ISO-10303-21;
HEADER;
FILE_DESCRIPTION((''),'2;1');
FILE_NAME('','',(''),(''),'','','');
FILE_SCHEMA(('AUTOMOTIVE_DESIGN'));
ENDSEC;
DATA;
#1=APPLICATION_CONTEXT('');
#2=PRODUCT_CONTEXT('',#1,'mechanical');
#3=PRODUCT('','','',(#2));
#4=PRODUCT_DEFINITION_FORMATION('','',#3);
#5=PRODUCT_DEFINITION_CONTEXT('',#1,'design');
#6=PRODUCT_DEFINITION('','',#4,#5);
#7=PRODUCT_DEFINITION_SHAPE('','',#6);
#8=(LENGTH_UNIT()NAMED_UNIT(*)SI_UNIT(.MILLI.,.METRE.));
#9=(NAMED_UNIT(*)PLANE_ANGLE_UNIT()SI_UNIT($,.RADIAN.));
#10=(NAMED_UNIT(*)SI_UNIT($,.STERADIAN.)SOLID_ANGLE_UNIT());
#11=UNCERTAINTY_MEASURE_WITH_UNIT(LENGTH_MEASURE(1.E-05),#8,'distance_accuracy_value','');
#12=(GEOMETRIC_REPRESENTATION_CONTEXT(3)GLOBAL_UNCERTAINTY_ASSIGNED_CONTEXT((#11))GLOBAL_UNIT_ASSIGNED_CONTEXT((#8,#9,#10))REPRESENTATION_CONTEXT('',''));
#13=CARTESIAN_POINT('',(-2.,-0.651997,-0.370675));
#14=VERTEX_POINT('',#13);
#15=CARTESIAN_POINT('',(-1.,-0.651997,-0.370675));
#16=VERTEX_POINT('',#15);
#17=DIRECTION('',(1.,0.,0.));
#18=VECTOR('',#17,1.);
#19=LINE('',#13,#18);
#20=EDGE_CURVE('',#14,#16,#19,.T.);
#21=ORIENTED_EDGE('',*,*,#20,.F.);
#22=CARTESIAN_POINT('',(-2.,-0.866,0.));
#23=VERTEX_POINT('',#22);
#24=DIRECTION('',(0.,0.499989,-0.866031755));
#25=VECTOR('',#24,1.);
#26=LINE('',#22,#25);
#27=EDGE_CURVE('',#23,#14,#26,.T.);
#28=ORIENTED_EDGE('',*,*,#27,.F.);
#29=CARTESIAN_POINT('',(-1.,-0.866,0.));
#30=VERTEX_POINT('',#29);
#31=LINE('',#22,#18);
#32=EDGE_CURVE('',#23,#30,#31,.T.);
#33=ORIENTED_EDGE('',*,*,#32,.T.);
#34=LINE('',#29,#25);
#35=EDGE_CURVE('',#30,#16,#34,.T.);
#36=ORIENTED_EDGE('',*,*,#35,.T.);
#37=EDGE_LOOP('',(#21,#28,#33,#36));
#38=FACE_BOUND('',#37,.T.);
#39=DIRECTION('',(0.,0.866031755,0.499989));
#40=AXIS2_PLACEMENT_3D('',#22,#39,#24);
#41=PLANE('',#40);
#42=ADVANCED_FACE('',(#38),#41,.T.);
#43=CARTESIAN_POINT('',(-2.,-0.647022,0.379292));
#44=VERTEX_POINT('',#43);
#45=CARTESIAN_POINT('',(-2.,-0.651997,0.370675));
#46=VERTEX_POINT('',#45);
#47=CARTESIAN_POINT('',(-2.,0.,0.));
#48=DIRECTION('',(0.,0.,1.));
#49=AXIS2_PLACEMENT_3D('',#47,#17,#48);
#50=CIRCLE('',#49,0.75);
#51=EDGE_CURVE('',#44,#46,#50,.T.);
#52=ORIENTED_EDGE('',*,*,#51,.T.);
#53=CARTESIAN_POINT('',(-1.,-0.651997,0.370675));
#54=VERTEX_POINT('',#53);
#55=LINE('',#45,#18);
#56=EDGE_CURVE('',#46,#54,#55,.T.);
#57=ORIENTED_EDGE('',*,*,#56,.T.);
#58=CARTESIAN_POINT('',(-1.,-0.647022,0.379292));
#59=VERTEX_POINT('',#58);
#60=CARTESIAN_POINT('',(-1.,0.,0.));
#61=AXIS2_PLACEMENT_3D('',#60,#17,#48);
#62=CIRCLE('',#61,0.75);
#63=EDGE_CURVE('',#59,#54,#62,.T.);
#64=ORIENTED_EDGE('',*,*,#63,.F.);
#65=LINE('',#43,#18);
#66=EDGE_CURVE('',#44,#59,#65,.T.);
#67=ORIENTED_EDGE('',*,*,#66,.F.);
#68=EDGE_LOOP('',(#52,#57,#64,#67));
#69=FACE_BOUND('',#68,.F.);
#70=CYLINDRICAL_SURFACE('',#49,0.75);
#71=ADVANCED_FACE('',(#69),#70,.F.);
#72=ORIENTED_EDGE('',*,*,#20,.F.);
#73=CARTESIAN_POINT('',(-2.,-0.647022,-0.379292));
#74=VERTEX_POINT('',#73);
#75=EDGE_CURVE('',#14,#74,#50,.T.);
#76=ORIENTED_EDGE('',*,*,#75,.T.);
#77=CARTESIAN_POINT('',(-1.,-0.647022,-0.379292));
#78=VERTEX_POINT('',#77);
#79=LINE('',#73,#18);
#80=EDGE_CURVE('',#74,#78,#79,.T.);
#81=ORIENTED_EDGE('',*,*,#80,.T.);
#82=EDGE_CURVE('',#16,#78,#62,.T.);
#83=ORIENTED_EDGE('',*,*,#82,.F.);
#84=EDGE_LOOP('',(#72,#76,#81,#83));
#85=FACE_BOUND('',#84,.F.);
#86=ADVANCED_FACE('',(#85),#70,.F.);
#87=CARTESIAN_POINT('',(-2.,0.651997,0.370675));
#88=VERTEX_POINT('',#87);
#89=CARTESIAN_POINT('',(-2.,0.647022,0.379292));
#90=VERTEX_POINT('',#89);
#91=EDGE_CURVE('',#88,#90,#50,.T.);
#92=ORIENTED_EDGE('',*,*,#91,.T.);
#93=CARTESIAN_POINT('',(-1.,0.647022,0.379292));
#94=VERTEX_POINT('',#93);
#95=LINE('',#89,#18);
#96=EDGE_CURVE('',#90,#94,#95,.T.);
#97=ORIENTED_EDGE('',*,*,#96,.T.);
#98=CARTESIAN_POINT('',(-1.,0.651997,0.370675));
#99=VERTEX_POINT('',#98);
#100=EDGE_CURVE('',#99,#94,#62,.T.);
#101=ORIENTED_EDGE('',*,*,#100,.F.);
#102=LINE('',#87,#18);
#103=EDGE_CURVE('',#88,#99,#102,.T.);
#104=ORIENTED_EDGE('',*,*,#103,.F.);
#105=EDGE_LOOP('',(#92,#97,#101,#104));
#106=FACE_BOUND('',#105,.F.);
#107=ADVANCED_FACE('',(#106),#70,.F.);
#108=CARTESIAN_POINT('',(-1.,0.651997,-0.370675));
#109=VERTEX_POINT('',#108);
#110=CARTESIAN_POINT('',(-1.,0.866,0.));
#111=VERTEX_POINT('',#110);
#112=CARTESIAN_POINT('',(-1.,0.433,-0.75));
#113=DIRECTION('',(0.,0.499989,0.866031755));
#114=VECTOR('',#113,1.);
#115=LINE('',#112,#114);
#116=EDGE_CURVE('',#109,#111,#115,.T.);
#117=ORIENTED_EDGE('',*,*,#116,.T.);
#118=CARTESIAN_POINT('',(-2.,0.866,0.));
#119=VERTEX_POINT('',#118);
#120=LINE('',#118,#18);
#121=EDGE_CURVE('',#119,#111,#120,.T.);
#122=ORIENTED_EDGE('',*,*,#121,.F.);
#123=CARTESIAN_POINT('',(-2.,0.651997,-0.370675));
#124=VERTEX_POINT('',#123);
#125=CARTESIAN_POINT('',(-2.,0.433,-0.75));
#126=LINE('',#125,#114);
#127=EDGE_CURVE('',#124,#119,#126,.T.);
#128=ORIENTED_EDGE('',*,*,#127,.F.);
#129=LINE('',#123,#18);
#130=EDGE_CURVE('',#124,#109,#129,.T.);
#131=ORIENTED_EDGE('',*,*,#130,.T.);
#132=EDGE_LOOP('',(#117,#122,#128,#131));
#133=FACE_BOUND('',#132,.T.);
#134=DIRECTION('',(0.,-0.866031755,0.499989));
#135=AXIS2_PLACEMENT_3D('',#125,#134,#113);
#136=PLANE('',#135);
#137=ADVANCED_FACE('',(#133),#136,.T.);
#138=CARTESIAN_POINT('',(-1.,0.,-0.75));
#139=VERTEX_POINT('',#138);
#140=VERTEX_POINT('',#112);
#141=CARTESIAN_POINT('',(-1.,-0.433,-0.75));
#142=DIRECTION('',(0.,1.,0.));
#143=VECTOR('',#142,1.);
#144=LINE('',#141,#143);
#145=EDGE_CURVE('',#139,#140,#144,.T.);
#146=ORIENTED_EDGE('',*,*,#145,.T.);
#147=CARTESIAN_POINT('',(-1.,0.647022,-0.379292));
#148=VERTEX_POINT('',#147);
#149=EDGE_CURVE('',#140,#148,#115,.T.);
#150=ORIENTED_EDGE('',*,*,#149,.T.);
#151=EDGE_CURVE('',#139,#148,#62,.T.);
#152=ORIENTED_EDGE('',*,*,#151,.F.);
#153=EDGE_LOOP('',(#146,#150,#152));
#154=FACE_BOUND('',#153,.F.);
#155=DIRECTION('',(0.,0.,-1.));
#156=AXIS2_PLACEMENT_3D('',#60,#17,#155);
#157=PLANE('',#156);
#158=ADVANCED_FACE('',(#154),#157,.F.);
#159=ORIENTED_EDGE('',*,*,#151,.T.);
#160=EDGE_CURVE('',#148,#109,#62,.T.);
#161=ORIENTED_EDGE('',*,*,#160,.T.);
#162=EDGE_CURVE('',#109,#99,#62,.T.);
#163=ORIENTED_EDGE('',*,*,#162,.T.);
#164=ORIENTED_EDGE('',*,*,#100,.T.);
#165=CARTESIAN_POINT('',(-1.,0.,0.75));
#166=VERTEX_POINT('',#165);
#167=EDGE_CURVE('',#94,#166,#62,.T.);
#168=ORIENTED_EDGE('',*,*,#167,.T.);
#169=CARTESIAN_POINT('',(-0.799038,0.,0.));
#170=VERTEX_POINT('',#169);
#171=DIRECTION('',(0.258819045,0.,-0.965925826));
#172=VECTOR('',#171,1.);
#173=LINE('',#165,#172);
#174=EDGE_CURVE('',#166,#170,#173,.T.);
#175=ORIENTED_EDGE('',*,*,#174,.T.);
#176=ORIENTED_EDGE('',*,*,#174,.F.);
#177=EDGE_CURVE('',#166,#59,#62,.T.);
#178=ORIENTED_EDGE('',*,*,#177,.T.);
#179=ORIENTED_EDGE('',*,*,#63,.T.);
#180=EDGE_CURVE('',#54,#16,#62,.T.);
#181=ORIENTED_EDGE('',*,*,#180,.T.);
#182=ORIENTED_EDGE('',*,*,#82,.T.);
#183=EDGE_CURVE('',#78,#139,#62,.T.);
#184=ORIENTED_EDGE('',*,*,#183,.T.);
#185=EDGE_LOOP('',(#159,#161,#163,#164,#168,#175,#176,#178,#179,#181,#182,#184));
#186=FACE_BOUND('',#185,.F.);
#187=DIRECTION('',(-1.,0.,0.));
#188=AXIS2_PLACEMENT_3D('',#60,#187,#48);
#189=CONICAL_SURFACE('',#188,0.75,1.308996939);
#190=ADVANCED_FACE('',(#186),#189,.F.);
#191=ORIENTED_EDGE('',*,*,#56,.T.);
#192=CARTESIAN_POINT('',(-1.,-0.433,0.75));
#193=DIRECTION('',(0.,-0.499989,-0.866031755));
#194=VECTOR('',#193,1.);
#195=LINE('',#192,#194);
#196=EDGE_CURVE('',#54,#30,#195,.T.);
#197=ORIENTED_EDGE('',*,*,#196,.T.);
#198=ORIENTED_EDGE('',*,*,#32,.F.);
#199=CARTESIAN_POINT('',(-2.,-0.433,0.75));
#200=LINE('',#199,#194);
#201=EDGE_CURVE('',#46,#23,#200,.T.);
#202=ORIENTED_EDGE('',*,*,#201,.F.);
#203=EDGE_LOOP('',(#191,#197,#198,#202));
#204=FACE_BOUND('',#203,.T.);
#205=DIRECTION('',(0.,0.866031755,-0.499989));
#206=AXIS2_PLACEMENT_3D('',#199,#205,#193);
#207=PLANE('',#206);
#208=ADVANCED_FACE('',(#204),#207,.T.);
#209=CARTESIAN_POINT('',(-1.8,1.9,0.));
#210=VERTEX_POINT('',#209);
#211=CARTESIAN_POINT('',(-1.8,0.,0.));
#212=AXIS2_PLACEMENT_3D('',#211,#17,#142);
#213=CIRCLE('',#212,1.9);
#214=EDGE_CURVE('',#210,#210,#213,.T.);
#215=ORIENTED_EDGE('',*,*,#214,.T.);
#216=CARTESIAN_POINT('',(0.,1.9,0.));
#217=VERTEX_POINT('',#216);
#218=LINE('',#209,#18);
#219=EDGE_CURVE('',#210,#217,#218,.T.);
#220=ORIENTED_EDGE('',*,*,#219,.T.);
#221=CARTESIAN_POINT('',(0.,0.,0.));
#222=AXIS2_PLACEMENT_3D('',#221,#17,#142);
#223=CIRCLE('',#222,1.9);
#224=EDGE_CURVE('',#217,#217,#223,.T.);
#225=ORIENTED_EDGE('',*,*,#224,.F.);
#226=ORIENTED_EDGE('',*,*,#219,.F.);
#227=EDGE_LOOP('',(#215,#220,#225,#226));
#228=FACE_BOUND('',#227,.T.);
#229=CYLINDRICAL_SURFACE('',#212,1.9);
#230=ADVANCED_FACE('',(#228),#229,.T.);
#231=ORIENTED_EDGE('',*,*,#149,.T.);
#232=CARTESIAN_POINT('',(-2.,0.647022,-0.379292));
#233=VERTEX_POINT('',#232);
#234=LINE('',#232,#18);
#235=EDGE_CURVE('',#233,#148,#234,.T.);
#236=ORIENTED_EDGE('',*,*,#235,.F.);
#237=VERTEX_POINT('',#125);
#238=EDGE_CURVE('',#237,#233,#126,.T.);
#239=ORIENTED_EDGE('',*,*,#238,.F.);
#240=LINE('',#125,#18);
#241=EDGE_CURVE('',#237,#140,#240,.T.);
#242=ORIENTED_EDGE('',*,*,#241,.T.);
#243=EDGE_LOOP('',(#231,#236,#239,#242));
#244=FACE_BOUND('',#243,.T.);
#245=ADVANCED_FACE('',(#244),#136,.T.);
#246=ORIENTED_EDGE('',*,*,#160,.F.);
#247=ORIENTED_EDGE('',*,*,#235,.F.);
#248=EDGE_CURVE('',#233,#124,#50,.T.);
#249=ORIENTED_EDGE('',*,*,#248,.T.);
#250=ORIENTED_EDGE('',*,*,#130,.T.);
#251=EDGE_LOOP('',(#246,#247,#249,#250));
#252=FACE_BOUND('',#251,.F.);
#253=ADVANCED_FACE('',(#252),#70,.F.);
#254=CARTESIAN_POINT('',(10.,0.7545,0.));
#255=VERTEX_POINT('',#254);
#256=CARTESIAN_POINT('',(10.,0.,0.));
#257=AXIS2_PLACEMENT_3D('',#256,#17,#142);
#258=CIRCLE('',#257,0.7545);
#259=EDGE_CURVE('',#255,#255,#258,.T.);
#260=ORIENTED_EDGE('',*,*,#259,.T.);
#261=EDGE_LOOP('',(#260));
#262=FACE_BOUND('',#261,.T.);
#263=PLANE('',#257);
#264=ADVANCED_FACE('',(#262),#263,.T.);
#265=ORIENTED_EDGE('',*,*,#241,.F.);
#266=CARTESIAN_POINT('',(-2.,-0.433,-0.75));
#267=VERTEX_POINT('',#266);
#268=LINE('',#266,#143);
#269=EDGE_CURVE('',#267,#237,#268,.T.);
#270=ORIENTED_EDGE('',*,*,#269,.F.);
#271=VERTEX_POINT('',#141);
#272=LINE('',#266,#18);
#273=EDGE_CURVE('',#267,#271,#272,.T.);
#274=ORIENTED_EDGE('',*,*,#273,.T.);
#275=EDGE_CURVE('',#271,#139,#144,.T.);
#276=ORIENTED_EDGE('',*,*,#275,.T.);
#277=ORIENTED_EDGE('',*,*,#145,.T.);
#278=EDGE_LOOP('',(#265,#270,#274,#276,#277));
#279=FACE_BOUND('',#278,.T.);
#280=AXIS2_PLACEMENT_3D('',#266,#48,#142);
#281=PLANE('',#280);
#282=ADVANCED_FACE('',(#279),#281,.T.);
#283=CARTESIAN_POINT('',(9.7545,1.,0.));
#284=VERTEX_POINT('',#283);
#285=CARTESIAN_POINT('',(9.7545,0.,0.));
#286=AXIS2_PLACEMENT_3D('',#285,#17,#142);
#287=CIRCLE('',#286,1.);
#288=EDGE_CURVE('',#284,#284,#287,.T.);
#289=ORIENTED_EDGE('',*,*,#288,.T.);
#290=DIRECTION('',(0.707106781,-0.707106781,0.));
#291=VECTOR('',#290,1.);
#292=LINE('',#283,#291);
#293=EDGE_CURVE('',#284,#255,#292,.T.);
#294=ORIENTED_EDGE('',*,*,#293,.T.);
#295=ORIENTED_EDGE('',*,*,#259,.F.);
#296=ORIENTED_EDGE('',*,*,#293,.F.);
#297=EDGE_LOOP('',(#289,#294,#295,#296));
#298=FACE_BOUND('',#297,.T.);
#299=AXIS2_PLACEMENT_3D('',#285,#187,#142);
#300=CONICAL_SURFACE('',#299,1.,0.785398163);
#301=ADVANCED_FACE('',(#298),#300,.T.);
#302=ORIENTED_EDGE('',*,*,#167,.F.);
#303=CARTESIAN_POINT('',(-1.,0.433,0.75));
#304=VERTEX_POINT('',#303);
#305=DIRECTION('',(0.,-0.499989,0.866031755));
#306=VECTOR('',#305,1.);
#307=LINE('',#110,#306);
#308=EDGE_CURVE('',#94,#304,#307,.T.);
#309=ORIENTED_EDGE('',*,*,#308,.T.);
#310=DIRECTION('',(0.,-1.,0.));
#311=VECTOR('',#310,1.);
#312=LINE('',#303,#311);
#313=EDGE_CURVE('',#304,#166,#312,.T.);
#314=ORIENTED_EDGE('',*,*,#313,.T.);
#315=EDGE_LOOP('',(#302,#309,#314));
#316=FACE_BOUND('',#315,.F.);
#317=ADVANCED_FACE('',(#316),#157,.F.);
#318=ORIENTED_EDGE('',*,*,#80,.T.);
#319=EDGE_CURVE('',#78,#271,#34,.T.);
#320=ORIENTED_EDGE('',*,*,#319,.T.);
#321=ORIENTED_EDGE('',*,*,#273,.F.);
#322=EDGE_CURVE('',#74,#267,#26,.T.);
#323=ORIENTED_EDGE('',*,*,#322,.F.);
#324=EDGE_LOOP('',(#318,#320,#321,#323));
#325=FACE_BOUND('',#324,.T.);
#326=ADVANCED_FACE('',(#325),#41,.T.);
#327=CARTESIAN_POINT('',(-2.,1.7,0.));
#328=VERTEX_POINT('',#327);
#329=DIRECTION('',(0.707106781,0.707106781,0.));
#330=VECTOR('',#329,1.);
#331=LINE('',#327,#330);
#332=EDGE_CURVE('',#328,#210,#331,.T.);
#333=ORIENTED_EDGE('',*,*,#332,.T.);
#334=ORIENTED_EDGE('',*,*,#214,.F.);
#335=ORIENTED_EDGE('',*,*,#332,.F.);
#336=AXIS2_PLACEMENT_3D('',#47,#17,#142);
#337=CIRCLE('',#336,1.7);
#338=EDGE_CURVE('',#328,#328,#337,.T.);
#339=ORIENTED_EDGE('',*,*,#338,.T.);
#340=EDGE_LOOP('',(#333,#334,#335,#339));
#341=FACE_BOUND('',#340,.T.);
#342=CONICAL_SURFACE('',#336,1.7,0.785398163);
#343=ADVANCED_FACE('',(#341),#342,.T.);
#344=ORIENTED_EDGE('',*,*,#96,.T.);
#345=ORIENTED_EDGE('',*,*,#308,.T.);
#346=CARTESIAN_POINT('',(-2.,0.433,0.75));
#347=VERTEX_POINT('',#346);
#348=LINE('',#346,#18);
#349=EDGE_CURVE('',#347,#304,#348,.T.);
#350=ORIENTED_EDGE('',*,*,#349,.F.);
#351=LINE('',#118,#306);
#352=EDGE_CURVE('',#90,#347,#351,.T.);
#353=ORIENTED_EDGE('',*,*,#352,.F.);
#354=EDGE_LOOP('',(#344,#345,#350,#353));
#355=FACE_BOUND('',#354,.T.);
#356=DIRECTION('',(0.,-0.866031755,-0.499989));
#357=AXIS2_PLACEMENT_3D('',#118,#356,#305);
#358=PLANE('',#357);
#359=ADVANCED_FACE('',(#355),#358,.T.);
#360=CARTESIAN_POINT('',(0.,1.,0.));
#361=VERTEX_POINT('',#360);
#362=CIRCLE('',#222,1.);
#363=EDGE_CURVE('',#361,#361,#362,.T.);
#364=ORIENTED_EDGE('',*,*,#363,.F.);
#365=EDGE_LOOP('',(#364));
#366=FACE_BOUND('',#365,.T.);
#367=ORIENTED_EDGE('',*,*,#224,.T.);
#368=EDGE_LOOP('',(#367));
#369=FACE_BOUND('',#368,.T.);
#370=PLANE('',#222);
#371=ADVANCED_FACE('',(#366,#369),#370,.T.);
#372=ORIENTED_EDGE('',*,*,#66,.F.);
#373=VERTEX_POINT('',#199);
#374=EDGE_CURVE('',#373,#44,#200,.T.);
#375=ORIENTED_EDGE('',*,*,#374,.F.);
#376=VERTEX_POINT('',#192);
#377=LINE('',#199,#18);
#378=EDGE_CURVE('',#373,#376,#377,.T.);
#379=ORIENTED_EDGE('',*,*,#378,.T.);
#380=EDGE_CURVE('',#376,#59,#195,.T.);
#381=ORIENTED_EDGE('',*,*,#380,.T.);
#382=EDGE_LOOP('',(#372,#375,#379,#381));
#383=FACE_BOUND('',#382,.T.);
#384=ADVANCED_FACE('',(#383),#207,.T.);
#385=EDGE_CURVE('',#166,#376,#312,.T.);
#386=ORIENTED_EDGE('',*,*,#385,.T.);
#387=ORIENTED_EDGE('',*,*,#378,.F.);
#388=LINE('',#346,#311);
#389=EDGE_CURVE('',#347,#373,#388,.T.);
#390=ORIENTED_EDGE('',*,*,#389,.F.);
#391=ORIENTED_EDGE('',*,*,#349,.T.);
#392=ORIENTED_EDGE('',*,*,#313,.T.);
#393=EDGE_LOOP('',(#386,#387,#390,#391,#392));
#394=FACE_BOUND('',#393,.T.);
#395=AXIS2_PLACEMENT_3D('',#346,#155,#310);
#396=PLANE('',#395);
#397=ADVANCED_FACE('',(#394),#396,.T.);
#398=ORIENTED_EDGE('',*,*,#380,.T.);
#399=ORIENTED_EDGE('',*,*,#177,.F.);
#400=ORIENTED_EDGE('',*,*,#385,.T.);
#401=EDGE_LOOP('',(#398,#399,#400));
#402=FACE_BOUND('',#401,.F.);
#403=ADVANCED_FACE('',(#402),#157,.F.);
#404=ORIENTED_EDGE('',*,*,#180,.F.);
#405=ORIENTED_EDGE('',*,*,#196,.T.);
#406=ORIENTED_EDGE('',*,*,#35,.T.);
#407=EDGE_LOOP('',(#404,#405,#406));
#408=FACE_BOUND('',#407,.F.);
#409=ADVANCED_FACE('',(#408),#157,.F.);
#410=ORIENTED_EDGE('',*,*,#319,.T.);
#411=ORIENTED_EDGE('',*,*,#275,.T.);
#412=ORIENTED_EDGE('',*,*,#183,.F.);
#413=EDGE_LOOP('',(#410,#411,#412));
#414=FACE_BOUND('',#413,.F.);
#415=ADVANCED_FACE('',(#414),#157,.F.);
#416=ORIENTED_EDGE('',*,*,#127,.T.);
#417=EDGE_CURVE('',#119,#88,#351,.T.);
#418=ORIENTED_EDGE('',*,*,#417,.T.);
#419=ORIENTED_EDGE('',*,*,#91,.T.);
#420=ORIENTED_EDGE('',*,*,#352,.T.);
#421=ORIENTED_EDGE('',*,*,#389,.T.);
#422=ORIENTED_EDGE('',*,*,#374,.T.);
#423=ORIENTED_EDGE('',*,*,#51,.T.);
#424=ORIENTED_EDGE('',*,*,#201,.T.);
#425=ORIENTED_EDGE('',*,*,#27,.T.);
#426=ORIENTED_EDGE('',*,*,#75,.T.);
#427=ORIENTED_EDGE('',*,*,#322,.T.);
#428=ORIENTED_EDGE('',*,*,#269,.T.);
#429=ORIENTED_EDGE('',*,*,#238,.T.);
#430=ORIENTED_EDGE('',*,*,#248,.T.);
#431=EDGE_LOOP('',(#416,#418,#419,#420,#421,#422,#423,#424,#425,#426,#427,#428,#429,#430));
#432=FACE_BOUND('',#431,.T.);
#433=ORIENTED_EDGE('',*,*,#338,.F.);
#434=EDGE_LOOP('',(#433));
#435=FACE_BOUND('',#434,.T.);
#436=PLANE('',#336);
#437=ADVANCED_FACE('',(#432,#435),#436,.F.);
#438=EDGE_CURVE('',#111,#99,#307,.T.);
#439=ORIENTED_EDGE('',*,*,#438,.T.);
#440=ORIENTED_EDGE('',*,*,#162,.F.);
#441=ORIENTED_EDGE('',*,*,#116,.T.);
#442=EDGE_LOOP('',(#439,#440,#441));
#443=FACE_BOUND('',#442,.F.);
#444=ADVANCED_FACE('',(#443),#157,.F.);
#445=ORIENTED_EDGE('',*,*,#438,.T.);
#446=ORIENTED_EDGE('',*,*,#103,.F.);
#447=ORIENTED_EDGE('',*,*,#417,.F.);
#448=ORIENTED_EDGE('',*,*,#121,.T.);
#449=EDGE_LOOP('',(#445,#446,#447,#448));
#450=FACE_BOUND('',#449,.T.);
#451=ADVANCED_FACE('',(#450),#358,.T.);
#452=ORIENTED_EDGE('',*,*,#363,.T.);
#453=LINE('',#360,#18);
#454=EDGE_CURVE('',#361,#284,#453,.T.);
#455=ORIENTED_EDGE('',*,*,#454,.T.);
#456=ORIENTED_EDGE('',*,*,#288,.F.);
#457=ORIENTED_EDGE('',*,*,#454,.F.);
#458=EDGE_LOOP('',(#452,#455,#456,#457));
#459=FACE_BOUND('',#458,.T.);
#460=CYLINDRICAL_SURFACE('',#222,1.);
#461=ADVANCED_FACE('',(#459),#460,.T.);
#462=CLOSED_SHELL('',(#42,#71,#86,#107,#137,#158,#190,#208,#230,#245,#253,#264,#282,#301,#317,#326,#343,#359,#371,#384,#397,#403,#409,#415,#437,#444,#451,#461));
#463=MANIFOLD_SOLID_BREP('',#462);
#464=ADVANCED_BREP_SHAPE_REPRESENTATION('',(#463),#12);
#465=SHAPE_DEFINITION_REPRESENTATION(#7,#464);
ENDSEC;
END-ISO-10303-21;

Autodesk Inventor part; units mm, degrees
sketch "Sketch_1" plane through (0, 0, 0) normal (0, 0, 1) x (1, 0, 0)
  line L0 (10, 0) -> (-2, 0)
  line L1 (-2, 0) -> (-2, 1.7)
  line L2 (-2, 1.7) -> (-1.8, 1.9)
  line L3 (-1.8, 1.9) -> (0, 1.9)
  line L4 (0, 1.9) -> (0, 1)
  line L5 (0, 1) -> (9.7545, 1)
  line L6 (9.7545, 1) -> (10, 0.7545)
  line L7 (10, 0.7545) -> (10, 0)
  line L8 (10, 0) -> (-2, 0)
revolve "Revolution1" add sketch "Sketch_1" angle 360 about axis through (10, 0, 0) along (1, 0, 0)
thread "Thread1" size "M2x0.4" class "6g" standard "ISO Metric profile" length 8.7545
sketch "Sketch2" plane through (-2, 0, 0) normal (-1, 0, 0) x (0, 0, 1)
  point P0 (0, 0)
hole "Hole1" at (-2, 0, 0) direction (1, 0, 0) diameter 1.5 depth 1 tip angle 150
sketch "Sketch_3" plane through (-2, 0, 0) normal (1, 0, 0) x (0, 0, -1)
  line L0 (-0.75, -0.433) -> (0, -0.866)
  line L1 (0, -0.866) -> (0.75, -0.433)
  line L2 (0.75, -0.433) -> (0.75, 0.433)
  line L3 (0.75, 0.433) -> (0, 0.866)
  line L4 (0, 0.866) -> (-0.75, 0.433)
  line L5 (-0.75, 0.433) -> (-0.75, -0.433)
extrude "Extrusion1" cut sketch "Sketch_3" along normal blind 1
ref_plane "bolt_to_nut_XY" through (10, 0, 0) normal (1, 0, 0) x (0, 0, -1)
ref_plane "bolt_to_nut_YZ" through (10, 0, 0) normal (0, 0, -1) x (0, 1, 0)
ref_plane "bolt_to_nut_ZX" through (10, 0, 0) normal (0, 1, 0) x (1, 0, 0)
ref_plane "screw1_XY" through (0, 0, 0) normal (1, 0, 0) x (0, 0, -1)
ref_plane "screw1_YZ" through (0, 0, 0) normal (0, 0, -1) x (0, 1, 0)
ref_plane "screw1_ZX" through (0, 0, 0) normal (0, 1, 0) x (1, 0, 0)
properties part number "CB2-10" material "鋼、炭素鋼"
